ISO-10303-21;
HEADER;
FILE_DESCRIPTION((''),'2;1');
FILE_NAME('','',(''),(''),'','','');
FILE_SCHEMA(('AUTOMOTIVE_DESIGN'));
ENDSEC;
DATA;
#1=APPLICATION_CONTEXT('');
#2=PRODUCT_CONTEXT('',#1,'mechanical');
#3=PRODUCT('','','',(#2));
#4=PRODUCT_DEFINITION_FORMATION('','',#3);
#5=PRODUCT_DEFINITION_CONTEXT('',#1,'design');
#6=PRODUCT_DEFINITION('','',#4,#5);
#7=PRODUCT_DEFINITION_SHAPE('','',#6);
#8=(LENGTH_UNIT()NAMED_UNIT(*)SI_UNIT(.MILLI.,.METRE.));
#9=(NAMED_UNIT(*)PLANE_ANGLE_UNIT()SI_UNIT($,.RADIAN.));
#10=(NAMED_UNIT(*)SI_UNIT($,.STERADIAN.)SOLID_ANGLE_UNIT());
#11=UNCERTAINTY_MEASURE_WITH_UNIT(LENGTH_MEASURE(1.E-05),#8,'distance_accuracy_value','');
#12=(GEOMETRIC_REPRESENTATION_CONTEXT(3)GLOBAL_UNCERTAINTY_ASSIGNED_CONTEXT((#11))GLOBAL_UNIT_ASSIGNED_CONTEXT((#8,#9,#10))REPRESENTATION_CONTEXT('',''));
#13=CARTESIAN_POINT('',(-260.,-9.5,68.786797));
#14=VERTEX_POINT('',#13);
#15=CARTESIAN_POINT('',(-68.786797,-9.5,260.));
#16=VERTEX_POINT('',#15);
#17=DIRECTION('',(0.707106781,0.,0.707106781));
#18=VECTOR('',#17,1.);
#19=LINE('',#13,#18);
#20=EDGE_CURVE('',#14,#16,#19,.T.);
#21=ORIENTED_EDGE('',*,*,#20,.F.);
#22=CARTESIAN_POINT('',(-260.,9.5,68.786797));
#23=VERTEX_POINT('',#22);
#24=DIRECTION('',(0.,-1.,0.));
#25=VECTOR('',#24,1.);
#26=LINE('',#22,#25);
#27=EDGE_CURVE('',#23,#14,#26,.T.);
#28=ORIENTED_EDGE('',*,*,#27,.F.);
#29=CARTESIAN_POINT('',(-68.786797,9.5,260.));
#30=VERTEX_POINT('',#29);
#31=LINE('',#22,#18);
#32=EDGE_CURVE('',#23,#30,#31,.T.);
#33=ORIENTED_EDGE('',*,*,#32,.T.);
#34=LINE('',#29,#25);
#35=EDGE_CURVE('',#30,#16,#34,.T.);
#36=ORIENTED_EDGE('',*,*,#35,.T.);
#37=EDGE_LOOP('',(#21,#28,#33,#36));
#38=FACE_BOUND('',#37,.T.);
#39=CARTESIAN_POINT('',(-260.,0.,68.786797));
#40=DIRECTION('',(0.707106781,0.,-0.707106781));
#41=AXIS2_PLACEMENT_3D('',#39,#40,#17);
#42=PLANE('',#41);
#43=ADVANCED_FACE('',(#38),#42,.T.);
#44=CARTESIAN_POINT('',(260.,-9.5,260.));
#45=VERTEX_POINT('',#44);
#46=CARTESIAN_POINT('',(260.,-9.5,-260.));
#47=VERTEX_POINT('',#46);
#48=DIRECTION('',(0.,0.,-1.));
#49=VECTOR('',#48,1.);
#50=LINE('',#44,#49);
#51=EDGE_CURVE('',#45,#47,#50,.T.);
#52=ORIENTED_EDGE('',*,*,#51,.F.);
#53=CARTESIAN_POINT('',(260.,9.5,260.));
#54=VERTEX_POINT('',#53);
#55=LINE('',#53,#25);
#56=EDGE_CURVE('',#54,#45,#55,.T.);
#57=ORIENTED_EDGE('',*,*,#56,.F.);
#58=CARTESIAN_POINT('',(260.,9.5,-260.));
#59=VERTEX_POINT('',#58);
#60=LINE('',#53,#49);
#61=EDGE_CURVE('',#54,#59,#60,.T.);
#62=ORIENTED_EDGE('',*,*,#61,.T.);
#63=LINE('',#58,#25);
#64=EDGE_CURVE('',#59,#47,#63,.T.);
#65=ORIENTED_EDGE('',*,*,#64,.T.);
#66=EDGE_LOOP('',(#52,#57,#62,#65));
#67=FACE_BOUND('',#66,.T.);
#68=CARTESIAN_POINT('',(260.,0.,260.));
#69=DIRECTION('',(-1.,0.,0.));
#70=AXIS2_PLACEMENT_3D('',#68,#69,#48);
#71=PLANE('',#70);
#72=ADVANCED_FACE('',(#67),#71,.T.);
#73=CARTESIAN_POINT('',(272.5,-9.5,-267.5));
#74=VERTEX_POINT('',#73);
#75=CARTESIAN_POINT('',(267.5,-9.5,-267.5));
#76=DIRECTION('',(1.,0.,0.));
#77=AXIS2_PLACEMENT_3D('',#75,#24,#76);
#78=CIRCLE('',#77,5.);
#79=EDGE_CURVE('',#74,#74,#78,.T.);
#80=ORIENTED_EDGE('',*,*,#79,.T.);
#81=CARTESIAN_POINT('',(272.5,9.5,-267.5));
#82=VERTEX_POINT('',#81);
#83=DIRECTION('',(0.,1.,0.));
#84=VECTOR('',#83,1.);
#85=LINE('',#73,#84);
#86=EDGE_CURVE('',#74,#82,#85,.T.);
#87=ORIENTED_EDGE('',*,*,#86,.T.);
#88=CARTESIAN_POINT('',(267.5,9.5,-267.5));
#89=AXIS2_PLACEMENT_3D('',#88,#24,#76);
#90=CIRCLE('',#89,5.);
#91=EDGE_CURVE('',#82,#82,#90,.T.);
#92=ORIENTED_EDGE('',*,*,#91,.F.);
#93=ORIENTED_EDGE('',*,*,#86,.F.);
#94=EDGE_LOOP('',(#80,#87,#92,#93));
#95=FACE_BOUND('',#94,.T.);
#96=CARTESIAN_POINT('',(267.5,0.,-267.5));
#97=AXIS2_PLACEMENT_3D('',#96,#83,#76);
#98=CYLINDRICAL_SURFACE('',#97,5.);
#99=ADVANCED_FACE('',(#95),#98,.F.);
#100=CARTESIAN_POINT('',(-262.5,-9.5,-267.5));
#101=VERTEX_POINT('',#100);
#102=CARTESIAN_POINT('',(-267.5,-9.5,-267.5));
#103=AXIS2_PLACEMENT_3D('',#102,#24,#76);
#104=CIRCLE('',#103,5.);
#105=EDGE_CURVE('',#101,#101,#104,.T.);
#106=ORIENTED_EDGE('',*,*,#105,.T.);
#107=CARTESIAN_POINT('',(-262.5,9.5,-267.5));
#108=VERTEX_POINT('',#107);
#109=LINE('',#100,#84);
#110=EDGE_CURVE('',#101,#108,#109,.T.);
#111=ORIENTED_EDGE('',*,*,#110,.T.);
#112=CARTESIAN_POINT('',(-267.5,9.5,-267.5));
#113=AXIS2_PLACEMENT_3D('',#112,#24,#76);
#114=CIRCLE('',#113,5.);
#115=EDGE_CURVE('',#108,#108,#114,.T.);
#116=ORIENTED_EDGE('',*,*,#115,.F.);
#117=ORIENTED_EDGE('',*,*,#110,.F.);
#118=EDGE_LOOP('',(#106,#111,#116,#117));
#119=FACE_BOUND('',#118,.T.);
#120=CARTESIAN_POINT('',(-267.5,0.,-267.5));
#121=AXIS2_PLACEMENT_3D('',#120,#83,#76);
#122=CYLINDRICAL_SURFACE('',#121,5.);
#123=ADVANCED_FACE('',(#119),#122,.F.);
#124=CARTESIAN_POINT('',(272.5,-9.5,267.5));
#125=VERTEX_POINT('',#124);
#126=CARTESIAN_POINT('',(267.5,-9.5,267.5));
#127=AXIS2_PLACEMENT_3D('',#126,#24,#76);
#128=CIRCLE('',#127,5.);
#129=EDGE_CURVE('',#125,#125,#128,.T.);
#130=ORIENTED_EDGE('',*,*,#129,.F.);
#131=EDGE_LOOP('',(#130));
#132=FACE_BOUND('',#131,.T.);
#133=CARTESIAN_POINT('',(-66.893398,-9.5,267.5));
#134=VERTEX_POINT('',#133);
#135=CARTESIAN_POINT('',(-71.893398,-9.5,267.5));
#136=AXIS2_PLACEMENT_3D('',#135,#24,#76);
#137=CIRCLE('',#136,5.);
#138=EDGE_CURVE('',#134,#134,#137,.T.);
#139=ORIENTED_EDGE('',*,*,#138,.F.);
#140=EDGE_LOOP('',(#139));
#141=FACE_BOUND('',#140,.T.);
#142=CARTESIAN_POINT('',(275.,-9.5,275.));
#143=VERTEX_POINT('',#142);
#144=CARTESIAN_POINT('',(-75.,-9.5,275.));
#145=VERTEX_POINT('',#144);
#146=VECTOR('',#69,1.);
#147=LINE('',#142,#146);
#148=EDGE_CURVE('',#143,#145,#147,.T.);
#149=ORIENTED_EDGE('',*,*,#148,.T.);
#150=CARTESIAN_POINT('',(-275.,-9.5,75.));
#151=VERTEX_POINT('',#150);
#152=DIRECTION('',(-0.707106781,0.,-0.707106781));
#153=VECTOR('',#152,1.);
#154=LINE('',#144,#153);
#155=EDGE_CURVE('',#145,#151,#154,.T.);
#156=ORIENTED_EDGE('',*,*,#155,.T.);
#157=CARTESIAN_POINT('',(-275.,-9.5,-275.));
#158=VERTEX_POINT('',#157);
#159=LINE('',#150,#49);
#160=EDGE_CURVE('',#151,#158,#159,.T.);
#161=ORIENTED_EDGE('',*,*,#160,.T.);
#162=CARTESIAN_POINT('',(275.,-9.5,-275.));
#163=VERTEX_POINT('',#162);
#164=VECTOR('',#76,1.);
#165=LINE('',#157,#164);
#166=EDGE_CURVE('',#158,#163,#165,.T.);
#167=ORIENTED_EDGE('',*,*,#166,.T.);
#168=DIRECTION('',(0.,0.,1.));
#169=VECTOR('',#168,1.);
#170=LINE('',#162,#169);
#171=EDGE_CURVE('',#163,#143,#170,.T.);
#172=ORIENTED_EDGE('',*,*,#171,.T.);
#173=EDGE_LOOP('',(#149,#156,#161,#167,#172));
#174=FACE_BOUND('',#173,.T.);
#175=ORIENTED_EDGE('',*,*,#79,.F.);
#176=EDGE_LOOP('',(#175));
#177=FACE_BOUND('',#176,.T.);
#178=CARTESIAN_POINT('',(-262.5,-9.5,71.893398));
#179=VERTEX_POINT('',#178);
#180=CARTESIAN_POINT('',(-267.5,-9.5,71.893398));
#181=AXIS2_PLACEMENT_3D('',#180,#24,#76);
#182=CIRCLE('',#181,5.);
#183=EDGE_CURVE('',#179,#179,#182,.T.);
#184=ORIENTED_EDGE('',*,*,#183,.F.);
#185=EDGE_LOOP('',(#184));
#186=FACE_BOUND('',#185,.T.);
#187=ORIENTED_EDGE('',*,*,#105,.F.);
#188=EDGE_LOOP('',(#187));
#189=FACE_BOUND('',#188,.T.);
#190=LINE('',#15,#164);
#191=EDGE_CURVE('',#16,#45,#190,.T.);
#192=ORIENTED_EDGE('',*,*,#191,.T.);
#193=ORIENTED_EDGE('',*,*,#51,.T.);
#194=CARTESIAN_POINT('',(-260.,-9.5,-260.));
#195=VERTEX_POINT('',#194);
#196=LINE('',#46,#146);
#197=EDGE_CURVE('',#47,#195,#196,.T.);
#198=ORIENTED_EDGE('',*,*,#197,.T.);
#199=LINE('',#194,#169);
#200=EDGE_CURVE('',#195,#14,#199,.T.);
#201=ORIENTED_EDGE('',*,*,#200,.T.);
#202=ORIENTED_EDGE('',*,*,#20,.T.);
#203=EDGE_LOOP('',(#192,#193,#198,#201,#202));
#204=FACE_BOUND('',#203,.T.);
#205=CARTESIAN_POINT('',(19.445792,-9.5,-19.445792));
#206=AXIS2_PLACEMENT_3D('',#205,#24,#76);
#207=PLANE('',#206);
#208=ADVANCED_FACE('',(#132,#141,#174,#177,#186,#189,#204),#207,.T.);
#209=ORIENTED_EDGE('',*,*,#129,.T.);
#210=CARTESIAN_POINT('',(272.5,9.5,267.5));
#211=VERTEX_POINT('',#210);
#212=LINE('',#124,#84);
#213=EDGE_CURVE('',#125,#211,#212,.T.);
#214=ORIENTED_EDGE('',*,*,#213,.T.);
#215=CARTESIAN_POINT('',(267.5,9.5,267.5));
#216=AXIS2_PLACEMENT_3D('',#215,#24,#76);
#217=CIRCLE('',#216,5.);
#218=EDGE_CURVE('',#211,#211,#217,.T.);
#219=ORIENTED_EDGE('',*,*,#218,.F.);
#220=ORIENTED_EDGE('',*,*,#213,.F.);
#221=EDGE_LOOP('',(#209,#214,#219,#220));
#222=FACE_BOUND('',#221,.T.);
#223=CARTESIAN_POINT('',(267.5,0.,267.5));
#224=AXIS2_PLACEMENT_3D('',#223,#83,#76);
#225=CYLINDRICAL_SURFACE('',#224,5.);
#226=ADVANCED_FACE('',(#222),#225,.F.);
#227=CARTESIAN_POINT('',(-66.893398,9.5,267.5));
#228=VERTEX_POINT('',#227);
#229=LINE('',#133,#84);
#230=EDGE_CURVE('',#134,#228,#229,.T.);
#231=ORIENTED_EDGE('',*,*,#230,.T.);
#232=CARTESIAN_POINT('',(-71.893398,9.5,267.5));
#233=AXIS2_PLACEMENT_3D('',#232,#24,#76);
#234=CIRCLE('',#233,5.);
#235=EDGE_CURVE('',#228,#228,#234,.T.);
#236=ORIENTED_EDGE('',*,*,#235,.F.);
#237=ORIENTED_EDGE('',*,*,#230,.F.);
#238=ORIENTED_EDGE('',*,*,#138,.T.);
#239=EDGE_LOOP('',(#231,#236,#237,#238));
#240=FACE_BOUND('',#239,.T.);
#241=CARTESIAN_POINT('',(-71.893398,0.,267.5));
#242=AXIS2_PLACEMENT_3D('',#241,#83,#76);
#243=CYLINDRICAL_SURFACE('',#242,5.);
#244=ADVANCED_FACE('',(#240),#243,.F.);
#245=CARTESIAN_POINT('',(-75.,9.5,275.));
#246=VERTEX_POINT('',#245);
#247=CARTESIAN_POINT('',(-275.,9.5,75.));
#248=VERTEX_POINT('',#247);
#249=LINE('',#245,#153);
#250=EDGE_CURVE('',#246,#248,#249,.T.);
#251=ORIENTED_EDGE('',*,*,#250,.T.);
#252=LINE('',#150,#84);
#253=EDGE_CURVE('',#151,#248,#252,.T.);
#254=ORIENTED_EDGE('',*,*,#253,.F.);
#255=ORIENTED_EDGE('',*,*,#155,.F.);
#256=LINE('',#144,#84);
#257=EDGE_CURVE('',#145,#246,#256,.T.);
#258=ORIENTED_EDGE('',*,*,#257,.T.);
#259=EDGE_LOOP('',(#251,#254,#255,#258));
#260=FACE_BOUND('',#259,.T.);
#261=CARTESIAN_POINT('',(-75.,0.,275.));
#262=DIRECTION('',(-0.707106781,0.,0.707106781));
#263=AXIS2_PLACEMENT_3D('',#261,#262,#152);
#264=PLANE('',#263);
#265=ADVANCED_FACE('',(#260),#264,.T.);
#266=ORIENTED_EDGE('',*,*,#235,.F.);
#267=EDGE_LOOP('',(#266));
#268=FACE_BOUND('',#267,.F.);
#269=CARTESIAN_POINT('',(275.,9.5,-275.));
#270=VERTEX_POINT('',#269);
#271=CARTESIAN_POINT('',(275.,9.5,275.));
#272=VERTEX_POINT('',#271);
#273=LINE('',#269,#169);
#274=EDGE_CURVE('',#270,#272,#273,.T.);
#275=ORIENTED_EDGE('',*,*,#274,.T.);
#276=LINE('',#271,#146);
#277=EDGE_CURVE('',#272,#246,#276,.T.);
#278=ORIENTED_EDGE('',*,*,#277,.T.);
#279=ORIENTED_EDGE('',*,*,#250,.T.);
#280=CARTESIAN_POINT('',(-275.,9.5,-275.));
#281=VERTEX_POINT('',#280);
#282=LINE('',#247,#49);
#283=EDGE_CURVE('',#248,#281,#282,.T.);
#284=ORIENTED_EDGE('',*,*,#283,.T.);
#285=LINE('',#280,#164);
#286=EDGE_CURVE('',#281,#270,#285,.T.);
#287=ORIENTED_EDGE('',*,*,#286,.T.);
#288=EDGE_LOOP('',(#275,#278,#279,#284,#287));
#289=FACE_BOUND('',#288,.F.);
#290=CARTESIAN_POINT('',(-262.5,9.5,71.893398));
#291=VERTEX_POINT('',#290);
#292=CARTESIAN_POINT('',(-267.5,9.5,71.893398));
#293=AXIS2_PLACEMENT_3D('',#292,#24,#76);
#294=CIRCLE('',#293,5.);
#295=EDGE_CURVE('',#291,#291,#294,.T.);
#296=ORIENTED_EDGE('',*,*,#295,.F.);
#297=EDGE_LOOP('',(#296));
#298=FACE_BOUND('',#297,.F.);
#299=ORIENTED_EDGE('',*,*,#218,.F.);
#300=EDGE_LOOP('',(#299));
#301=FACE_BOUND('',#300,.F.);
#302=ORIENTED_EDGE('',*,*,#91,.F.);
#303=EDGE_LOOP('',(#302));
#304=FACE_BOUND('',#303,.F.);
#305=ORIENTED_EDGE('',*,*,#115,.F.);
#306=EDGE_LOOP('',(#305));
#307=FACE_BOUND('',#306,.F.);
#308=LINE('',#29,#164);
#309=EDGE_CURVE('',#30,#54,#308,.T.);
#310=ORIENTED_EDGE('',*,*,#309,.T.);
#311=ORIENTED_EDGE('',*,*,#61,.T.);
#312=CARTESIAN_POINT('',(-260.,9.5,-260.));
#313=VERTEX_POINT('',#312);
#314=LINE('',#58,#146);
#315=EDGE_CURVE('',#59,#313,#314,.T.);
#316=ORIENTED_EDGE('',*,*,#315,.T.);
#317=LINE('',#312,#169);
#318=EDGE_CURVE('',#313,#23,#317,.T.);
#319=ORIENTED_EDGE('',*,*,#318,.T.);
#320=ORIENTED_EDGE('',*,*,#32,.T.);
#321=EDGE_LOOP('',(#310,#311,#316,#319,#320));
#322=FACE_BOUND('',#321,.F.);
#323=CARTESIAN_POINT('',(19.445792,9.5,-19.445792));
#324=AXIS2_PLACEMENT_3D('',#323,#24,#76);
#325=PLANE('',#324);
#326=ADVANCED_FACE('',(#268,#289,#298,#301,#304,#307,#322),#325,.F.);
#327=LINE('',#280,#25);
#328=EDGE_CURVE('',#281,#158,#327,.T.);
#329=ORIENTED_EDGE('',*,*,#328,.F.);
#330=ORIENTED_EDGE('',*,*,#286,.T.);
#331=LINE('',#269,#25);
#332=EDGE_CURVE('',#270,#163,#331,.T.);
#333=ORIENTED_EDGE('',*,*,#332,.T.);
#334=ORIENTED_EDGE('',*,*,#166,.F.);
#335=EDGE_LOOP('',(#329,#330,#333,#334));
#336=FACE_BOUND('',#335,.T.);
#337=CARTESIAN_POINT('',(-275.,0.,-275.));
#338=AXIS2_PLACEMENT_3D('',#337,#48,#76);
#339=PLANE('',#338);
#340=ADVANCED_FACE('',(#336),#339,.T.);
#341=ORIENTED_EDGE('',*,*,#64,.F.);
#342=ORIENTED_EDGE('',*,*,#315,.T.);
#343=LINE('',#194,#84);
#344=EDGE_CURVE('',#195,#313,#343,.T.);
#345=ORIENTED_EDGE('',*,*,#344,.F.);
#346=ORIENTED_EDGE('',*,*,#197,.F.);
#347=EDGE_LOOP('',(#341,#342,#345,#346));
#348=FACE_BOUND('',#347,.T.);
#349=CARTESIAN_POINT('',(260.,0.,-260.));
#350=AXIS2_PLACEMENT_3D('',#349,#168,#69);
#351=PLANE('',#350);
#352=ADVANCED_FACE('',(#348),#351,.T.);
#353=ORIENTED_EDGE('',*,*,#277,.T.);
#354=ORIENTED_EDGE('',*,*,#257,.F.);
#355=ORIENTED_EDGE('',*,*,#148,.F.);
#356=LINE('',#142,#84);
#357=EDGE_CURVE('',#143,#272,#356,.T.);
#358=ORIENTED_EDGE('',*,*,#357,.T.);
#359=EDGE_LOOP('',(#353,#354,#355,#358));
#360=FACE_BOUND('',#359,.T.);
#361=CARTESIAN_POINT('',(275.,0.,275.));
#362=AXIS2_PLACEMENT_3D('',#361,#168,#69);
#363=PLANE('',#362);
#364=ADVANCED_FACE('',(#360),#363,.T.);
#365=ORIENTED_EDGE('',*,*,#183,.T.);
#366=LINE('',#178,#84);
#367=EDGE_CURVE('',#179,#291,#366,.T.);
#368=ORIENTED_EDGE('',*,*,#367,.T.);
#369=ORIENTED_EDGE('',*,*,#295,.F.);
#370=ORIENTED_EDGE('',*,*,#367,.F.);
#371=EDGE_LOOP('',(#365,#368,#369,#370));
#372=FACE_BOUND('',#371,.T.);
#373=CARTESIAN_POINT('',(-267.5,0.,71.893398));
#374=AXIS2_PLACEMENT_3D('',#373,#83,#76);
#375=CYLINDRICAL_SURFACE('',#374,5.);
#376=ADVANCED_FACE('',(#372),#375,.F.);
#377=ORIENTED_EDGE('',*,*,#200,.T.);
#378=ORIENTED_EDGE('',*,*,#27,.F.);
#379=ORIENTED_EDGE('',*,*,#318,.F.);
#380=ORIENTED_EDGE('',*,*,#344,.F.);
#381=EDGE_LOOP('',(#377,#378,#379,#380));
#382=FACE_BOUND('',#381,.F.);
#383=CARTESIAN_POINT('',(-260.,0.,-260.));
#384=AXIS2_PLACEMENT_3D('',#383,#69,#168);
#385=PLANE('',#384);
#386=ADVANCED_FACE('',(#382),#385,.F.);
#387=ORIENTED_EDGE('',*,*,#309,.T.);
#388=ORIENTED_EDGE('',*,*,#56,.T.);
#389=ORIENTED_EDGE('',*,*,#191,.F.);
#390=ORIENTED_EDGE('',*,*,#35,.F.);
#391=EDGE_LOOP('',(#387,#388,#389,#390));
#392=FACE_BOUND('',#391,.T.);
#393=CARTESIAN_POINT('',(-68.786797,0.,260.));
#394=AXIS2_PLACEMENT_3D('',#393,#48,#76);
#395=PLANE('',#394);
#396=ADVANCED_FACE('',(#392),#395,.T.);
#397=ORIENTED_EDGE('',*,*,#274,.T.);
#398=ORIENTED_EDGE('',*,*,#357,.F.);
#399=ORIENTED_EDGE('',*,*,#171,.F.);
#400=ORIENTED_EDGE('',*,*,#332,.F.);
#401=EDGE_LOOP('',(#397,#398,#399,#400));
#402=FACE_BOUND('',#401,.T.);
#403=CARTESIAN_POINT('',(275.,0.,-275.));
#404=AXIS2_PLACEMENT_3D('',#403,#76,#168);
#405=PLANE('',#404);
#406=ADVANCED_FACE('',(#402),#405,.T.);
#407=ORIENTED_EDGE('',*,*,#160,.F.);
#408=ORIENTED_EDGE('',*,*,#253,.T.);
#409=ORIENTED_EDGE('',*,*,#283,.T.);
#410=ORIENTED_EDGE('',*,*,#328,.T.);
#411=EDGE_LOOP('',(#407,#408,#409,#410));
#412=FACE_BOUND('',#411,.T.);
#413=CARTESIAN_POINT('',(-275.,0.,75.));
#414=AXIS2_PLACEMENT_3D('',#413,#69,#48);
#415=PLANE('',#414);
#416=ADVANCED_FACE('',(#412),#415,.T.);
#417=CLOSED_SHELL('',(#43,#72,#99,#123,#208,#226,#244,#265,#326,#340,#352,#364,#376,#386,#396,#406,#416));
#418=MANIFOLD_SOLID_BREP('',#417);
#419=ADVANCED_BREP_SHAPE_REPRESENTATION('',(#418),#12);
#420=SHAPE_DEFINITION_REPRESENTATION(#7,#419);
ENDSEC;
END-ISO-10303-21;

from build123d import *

# Parameters (mm, degrees)
F0_R     = 5
F1_DEPTH = 9.5


with BuildPart() as f1:
    # F0 (on Front) → F1 (new body, symmetric)
    with BuildSketch(Plane.XZ):
        Polygon((-275, 75), (-275, -275), (275, -275), (275, 275), (-75, 275), align=None)
        with Locations((-267.5, -267.5)):
            Circle(F0_R, mode=Mode.SUBTRACT)
        with Locations((267.5, -267.5)):
            Circle(F0_R, mode=Mode.SUBTRACT)
        with Locations((-267.5, 71.8933982822)):
            Circle(F0_R, mode=Mode.SUBTRACT)
        with Locations((-71.8933982822, 267.5)):
            Circle(F0_R, mode=Mode.SUBTRACT)
        Polygon((260, -260), (-260, -260), (-260, 68.7867965644), (-68.7867965644, 260), (-35, 260), (260, 260), (260, 130), (260, -35), align=None, mode=Mode.SUBTRACT)
        with Locations((267.5, 267.5)):
            Circle(F0_R, mode=Mode.SUBTRACT)
    extrude(amount=F1_DEPTH, both=True)


solid = f1.part
